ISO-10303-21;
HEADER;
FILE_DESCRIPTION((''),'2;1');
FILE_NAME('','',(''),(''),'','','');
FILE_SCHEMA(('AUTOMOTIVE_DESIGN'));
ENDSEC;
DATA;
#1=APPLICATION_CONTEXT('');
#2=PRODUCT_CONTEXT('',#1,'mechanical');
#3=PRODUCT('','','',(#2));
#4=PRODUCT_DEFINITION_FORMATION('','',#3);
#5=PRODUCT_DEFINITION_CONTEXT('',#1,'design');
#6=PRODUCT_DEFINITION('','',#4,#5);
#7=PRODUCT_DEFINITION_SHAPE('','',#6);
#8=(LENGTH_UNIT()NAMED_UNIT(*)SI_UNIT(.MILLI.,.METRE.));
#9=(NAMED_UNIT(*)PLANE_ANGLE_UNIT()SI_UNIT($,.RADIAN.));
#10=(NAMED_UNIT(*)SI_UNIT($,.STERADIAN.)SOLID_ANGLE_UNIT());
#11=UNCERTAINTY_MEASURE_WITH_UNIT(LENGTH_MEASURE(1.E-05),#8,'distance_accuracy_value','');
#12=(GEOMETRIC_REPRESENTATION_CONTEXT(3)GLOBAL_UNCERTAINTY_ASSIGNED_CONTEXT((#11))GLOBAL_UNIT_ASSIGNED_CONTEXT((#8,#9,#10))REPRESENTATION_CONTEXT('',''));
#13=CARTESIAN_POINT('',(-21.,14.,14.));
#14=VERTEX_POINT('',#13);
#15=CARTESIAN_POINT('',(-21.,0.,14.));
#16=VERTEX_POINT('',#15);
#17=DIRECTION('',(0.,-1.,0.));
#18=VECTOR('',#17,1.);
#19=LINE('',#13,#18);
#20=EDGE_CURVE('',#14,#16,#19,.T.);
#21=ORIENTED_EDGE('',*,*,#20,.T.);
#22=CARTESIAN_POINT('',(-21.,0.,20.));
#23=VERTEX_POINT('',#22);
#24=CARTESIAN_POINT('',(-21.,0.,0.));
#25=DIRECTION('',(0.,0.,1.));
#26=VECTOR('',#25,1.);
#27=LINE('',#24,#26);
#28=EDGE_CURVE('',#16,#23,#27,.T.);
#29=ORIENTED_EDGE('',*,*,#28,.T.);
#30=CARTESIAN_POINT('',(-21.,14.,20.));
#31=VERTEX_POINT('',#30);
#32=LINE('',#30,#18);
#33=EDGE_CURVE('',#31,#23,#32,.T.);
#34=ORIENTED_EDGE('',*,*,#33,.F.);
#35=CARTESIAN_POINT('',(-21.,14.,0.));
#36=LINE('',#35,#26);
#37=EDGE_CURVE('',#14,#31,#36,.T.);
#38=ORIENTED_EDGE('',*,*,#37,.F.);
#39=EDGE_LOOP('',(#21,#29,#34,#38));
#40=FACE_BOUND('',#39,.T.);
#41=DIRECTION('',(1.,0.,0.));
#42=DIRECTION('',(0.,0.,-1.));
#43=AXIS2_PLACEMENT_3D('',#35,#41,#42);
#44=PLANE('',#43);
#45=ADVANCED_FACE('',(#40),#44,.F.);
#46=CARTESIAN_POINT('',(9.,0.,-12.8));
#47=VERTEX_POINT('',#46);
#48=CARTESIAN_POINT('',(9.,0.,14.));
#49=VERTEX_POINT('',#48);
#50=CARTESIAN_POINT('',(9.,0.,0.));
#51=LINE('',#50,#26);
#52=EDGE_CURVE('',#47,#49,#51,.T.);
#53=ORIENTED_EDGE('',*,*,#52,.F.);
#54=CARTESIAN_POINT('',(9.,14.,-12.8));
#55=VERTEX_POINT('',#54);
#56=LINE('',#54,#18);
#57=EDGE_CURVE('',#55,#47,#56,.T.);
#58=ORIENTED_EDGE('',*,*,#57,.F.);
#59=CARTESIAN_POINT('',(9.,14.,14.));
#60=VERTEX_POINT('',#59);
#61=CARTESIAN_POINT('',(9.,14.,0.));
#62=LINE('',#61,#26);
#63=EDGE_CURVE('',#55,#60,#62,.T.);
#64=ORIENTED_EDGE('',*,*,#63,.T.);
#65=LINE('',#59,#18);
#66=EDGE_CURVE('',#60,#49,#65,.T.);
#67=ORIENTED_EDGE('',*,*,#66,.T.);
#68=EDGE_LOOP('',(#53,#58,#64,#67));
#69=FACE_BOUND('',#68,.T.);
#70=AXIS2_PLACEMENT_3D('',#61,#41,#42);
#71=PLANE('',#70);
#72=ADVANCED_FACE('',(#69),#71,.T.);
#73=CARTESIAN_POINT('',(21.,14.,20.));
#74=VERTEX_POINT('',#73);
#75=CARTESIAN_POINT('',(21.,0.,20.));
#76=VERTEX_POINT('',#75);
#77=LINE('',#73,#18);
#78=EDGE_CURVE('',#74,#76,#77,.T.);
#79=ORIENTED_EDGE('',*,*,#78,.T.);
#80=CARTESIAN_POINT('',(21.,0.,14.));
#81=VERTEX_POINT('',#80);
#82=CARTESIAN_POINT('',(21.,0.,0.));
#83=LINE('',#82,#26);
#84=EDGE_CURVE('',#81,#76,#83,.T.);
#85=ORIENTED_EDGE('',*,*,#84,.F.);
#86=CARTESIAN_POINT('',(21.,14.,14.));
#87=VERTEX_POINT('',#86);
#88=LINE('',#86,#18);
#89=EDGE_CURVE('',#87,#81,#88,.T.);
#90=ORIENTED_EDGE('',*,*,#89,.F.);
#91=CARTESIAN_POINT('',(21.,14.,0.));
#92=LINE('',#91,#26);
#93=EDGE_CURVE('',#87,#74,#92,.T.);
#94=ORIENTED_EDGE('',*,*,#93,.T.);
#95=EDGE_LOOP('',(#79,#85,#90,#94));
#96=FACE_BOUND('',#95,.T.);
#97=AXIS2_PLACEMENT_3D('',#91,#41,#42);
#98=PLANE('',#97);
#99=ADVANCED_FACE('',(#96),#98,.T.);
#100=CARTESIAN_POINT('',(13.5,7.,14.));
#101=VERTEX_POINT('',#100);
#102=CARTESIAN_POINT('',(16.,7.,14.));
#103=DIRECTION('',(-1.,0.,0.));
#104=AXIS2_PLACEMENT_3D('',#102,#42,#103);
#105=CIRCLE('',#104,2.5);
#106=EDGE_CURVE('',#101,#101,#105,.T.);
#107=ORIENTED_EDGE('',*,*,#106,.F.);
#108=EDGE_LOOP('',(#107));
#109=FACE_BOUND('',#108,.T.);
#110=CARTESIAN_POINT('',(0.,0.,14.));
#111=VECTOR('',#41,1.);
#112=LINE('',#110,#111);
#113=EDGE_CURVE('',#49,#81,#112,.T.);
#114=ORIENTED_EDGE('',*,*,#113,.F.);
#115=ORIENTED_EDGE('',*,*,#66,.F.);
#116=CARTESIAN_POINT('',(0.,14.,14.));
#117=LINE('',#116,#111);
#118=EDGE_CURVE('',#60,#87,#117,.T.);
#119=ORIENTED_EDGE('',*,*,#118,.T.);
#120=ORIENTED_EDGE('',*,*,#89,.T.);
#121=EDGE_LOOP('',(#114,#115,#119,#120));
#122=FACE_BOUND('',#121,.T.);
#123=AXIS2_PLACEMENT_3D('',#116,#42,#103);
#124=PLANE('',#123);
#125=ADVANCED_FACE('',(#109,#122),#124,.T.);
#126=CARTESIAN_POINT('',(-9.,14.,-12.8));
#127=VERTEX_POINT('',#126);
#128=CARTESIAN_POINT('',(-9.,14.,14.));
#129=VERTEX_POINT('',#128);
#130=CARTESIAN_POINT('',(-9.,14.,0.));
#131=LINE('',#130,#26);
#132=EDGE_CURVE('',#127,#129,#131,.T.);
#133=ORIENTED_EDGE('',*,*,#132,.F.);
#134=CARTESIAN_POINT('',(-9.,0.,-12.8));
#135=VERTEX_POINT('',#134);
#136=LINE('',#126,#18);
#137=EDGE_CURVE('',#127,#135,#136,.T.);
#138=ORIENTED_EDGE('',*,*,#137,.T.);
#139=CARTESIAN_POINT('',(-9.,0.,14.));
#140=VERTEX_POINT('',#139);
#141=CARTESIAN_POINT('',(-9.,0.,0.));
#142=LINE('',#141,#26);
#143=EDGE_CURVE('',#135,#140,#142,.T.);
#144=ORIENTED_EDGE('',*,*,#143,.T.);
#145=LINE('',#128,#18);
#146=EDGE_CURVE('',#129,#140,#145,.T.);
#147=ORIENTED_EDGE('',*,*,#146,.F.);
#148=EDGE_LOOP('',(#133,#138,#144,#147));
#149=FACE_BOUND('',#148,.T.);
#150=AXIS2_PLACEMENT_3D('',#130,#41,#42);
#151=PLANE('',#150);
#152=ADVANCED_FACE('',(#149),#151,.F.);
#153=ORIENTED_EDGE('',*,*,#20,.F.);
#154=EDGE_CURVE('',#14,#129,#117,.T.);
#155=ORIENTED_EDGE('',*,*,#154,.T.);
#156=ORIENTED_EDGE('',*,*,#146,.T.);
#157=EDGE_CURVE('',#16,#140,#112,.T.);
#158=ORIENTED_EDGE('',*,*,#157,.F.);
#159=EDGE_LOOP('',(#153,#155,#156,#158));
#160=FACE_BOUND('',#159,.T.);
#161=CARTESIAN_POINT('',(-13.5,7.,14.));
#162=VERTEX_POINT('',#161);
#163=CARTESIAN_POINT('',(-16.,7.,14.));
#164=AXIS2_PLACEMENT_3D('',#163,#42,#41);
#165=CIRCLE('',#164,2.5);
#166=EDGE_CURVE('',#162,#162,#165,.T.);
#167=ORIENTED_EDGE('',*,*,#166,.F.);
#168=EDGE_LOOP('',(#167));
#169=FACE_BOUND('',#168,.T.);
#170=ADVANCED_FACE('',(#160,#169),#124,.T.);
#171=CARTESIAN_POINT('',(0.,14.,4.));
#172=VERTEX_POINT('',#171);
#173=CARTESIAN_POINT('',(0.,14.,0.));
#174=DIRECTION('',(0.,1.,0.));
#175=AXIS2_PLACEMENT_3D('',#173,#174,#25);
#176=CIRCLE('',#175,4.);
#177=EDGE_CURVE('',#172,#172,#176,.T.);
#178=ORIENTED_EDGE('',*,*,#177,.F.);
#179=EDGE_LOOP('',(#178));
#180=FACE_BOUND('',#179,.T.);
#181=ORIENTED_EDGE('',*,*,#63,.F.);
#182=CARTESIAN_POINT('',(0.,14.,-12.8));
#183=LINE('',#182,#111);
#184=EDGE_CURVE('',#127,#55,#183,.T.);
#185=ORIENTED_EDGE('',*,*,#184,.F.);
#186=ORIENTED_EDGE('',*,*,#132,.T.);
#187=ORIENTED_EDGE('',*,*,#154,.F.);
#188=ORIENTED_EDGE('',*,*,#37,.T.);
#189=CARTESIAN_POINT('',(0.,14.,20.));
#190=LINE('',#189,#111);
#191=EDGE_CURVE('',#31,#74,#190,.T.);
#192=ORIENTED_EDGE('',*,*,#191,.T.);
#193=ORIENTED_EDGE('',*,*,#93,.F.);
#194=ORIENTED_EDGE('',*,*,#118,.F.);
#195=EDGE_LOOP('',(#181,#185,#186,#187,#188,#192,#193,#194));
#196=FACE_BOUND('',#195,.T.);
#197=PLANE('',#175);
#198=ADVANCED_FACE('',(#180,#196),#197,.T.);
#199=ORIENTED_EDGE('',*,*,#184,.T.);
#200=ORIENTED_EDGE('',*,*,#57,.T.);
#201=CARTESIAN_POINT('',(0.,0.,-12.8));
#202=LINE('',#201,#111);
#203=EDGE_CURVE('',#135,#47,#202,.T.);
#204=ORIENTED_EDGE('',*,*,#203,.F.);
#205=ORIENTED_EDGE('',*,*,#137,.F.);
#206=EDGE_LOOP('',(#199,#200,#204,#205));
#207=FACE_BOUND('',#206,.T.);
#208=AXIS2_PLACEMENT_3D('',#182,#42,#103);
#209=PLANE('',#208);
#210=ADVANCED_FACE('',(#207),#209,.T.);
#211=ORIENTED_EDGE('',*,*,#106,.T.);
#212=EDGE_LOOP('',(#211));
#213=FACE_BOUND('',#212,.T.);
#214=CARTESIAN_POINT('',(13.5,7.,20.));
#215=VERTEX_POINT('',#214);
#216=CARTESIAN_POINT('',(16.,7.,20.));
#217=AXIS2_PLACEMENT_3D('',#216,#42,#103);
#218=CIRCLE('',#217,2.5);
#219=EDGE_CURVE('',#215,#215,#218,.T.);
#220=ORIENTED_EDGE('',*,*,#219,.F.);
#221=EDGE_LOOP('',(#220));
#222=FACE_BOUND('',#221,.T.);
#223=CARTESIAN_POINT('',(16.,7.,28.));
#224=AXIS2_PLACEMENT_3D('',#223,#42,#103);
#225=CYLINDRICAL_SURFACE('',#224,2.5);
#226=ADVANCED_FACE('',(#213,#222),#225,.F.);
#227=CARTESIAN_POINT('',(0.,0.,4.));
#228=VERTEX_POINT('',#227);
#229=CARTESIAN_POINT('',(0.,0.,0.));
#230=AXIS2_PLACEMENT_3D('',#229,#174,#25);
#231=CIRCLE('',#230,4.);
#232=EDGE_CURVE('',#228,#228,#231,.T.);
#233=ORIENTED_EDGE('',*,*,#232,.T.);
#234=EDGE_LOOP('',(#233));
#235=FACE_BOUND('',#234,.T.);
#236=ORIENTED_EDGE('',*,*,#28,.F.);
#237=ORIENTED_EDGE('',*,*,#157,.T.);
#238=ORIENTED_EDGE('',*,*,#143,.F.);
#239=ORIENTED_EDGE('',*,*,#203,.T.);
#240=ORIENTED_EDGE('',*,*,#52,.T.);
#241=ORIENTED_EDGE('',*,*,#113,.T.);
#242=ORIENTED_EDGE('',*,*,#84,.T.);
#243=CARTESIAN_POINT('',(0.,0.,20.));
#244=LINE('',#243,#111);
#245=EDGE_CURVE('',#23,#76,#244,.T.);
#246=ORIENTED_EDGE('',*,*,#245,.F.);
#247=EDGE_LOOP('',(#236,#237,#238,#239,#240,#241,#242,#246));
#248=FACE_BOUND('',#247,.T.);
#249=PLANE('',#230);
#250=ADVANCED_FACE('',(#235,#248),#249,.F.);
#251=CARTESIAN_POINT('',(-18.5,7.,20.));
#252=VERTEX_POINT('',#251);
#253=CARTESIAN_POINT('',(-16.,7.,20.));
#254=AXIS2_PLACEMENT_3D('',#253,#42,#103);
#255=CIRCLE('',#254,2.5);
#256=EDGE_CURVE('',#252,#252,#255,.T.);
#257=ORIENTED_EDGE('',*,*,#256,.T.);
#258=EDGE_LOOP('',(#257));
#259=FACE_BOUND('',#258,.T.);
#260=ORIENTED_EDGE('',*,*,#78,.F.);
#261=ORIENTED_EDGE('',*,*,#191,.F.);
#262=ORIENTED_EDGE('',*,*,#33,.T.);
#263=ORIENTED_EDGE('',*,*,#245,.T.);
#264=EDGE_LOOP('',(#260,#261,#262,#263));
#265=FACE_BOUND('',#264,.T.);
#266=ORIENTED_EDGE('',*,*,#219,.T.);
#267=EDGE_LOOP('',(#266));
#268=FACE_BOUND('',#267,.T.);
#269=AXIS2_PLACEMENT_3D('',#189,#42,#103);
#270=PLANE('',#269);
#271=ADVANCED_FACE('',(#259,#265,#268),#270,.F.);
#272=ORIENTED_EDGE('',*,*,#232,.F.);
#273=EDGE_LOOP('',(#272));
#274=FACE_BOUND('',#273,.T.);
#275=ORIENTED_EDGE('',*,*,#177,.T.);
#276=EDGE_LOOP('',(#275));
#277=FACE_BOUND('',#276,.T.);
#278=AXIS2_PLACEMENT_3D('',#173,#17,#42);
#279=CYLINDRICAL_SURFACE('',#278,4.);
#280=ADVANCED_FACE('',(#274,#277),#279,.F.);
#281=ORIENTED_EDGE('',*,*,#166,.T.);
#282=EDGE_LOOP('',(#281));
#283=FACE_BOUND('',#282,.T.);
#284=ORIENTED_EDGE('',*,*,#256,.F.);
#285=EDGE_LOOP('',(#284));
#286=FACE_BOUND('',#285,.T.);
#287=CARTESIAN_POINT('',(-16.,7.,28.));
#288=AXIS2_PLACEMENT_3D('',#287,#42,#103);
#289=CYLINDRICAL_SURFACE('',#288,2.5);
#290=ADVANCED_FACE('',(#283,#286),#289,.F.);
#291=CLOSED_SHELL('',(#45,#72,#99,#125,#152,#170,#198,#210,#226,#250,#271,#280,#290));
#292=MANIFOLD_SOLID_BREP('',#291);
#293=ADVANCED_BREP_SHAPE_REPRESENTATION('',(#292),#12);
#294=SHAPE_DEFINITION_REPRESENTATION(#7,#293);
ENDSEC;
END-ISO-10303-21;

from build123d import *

# Parameters (mm, degrees)
SKETCH_1_W          = 18
SKETCH_1_H          = 26.8
SKETCH_1_R          = 4
SKETCH_1_W_2        = 12
SKETCH_1_H_2        = 6
EXTRUDE_1_DEPTH     = 14
SKETCH_2_R          = 2.5
CUT_EXTRUDE_1_DEPTH = 14


with BuildPart() as part:
    # 草图1 → 凸台-拉伸1 (new body)
    # profile 1 of 4: a face of its own
    with BuildSketch(Plane(origin=(0, 0, 0), x_dir=(1, 0, 0), z_dir=(0, 1, 0))):
        with Locations((0, -0.6)):
            Rectangle(SKETCH_1_W, SKETCH_1_H)
        with Locations(Location((0, 0, 0), (0, 0, 270))):
            Circle(SKETCH_1_R, mode=Mode.SUBTRACT)
    # profile 2 of 4: a face of its own
    with BuildSketch(Plane(origin=(0, 0, 0), x_dir=(1, 0, 0), z_dir=(0, 1, 0))):
        with Locations((15, -17)):
            Rectangle(SKETCH_1_W_2, SKETCH_1_H_2)
    # profile 3 of 4: a face of its own
    with BuildSketch(Plane(origin=(0, 0, 0), x_dir=(1, 0, 0), z_dir=(0, 1, 0))):
        with Locations((0, -17)):
            Rectangle(SKETCH_1_W, SKETCH_1_H_2)
    # profile 4 of 4: a face of its own
    with BuildSketch(Plane(origin=(0, 0, 0), x_dir=(1, 0, 0), z_dir=(0, 1, 0))):
        with Locations((-15, -17)):
            Rectangle(SKETCH_1_W_2, SKETCH_1_H_2)
    extrude(amount=EXTRUDE_1_DEPTH)

    # 草图2 → 切除-拉伸1 (cut)
    with BuildSketch(Plane(origin=(0, 0, 14), x_dir=(-1, 0, 0), z_dir=(0, 0, -1))):
        with Locations((-16, 7)):
            Circle(SKETCH_2_R)
        with Locations((16, 7)):
            Circle(SKETCH_2_R)
    extrude(amount=-CUT_EXTRUDE_1_DEPTH, mode=Mode.SUBTRACT)


solid = part.part
